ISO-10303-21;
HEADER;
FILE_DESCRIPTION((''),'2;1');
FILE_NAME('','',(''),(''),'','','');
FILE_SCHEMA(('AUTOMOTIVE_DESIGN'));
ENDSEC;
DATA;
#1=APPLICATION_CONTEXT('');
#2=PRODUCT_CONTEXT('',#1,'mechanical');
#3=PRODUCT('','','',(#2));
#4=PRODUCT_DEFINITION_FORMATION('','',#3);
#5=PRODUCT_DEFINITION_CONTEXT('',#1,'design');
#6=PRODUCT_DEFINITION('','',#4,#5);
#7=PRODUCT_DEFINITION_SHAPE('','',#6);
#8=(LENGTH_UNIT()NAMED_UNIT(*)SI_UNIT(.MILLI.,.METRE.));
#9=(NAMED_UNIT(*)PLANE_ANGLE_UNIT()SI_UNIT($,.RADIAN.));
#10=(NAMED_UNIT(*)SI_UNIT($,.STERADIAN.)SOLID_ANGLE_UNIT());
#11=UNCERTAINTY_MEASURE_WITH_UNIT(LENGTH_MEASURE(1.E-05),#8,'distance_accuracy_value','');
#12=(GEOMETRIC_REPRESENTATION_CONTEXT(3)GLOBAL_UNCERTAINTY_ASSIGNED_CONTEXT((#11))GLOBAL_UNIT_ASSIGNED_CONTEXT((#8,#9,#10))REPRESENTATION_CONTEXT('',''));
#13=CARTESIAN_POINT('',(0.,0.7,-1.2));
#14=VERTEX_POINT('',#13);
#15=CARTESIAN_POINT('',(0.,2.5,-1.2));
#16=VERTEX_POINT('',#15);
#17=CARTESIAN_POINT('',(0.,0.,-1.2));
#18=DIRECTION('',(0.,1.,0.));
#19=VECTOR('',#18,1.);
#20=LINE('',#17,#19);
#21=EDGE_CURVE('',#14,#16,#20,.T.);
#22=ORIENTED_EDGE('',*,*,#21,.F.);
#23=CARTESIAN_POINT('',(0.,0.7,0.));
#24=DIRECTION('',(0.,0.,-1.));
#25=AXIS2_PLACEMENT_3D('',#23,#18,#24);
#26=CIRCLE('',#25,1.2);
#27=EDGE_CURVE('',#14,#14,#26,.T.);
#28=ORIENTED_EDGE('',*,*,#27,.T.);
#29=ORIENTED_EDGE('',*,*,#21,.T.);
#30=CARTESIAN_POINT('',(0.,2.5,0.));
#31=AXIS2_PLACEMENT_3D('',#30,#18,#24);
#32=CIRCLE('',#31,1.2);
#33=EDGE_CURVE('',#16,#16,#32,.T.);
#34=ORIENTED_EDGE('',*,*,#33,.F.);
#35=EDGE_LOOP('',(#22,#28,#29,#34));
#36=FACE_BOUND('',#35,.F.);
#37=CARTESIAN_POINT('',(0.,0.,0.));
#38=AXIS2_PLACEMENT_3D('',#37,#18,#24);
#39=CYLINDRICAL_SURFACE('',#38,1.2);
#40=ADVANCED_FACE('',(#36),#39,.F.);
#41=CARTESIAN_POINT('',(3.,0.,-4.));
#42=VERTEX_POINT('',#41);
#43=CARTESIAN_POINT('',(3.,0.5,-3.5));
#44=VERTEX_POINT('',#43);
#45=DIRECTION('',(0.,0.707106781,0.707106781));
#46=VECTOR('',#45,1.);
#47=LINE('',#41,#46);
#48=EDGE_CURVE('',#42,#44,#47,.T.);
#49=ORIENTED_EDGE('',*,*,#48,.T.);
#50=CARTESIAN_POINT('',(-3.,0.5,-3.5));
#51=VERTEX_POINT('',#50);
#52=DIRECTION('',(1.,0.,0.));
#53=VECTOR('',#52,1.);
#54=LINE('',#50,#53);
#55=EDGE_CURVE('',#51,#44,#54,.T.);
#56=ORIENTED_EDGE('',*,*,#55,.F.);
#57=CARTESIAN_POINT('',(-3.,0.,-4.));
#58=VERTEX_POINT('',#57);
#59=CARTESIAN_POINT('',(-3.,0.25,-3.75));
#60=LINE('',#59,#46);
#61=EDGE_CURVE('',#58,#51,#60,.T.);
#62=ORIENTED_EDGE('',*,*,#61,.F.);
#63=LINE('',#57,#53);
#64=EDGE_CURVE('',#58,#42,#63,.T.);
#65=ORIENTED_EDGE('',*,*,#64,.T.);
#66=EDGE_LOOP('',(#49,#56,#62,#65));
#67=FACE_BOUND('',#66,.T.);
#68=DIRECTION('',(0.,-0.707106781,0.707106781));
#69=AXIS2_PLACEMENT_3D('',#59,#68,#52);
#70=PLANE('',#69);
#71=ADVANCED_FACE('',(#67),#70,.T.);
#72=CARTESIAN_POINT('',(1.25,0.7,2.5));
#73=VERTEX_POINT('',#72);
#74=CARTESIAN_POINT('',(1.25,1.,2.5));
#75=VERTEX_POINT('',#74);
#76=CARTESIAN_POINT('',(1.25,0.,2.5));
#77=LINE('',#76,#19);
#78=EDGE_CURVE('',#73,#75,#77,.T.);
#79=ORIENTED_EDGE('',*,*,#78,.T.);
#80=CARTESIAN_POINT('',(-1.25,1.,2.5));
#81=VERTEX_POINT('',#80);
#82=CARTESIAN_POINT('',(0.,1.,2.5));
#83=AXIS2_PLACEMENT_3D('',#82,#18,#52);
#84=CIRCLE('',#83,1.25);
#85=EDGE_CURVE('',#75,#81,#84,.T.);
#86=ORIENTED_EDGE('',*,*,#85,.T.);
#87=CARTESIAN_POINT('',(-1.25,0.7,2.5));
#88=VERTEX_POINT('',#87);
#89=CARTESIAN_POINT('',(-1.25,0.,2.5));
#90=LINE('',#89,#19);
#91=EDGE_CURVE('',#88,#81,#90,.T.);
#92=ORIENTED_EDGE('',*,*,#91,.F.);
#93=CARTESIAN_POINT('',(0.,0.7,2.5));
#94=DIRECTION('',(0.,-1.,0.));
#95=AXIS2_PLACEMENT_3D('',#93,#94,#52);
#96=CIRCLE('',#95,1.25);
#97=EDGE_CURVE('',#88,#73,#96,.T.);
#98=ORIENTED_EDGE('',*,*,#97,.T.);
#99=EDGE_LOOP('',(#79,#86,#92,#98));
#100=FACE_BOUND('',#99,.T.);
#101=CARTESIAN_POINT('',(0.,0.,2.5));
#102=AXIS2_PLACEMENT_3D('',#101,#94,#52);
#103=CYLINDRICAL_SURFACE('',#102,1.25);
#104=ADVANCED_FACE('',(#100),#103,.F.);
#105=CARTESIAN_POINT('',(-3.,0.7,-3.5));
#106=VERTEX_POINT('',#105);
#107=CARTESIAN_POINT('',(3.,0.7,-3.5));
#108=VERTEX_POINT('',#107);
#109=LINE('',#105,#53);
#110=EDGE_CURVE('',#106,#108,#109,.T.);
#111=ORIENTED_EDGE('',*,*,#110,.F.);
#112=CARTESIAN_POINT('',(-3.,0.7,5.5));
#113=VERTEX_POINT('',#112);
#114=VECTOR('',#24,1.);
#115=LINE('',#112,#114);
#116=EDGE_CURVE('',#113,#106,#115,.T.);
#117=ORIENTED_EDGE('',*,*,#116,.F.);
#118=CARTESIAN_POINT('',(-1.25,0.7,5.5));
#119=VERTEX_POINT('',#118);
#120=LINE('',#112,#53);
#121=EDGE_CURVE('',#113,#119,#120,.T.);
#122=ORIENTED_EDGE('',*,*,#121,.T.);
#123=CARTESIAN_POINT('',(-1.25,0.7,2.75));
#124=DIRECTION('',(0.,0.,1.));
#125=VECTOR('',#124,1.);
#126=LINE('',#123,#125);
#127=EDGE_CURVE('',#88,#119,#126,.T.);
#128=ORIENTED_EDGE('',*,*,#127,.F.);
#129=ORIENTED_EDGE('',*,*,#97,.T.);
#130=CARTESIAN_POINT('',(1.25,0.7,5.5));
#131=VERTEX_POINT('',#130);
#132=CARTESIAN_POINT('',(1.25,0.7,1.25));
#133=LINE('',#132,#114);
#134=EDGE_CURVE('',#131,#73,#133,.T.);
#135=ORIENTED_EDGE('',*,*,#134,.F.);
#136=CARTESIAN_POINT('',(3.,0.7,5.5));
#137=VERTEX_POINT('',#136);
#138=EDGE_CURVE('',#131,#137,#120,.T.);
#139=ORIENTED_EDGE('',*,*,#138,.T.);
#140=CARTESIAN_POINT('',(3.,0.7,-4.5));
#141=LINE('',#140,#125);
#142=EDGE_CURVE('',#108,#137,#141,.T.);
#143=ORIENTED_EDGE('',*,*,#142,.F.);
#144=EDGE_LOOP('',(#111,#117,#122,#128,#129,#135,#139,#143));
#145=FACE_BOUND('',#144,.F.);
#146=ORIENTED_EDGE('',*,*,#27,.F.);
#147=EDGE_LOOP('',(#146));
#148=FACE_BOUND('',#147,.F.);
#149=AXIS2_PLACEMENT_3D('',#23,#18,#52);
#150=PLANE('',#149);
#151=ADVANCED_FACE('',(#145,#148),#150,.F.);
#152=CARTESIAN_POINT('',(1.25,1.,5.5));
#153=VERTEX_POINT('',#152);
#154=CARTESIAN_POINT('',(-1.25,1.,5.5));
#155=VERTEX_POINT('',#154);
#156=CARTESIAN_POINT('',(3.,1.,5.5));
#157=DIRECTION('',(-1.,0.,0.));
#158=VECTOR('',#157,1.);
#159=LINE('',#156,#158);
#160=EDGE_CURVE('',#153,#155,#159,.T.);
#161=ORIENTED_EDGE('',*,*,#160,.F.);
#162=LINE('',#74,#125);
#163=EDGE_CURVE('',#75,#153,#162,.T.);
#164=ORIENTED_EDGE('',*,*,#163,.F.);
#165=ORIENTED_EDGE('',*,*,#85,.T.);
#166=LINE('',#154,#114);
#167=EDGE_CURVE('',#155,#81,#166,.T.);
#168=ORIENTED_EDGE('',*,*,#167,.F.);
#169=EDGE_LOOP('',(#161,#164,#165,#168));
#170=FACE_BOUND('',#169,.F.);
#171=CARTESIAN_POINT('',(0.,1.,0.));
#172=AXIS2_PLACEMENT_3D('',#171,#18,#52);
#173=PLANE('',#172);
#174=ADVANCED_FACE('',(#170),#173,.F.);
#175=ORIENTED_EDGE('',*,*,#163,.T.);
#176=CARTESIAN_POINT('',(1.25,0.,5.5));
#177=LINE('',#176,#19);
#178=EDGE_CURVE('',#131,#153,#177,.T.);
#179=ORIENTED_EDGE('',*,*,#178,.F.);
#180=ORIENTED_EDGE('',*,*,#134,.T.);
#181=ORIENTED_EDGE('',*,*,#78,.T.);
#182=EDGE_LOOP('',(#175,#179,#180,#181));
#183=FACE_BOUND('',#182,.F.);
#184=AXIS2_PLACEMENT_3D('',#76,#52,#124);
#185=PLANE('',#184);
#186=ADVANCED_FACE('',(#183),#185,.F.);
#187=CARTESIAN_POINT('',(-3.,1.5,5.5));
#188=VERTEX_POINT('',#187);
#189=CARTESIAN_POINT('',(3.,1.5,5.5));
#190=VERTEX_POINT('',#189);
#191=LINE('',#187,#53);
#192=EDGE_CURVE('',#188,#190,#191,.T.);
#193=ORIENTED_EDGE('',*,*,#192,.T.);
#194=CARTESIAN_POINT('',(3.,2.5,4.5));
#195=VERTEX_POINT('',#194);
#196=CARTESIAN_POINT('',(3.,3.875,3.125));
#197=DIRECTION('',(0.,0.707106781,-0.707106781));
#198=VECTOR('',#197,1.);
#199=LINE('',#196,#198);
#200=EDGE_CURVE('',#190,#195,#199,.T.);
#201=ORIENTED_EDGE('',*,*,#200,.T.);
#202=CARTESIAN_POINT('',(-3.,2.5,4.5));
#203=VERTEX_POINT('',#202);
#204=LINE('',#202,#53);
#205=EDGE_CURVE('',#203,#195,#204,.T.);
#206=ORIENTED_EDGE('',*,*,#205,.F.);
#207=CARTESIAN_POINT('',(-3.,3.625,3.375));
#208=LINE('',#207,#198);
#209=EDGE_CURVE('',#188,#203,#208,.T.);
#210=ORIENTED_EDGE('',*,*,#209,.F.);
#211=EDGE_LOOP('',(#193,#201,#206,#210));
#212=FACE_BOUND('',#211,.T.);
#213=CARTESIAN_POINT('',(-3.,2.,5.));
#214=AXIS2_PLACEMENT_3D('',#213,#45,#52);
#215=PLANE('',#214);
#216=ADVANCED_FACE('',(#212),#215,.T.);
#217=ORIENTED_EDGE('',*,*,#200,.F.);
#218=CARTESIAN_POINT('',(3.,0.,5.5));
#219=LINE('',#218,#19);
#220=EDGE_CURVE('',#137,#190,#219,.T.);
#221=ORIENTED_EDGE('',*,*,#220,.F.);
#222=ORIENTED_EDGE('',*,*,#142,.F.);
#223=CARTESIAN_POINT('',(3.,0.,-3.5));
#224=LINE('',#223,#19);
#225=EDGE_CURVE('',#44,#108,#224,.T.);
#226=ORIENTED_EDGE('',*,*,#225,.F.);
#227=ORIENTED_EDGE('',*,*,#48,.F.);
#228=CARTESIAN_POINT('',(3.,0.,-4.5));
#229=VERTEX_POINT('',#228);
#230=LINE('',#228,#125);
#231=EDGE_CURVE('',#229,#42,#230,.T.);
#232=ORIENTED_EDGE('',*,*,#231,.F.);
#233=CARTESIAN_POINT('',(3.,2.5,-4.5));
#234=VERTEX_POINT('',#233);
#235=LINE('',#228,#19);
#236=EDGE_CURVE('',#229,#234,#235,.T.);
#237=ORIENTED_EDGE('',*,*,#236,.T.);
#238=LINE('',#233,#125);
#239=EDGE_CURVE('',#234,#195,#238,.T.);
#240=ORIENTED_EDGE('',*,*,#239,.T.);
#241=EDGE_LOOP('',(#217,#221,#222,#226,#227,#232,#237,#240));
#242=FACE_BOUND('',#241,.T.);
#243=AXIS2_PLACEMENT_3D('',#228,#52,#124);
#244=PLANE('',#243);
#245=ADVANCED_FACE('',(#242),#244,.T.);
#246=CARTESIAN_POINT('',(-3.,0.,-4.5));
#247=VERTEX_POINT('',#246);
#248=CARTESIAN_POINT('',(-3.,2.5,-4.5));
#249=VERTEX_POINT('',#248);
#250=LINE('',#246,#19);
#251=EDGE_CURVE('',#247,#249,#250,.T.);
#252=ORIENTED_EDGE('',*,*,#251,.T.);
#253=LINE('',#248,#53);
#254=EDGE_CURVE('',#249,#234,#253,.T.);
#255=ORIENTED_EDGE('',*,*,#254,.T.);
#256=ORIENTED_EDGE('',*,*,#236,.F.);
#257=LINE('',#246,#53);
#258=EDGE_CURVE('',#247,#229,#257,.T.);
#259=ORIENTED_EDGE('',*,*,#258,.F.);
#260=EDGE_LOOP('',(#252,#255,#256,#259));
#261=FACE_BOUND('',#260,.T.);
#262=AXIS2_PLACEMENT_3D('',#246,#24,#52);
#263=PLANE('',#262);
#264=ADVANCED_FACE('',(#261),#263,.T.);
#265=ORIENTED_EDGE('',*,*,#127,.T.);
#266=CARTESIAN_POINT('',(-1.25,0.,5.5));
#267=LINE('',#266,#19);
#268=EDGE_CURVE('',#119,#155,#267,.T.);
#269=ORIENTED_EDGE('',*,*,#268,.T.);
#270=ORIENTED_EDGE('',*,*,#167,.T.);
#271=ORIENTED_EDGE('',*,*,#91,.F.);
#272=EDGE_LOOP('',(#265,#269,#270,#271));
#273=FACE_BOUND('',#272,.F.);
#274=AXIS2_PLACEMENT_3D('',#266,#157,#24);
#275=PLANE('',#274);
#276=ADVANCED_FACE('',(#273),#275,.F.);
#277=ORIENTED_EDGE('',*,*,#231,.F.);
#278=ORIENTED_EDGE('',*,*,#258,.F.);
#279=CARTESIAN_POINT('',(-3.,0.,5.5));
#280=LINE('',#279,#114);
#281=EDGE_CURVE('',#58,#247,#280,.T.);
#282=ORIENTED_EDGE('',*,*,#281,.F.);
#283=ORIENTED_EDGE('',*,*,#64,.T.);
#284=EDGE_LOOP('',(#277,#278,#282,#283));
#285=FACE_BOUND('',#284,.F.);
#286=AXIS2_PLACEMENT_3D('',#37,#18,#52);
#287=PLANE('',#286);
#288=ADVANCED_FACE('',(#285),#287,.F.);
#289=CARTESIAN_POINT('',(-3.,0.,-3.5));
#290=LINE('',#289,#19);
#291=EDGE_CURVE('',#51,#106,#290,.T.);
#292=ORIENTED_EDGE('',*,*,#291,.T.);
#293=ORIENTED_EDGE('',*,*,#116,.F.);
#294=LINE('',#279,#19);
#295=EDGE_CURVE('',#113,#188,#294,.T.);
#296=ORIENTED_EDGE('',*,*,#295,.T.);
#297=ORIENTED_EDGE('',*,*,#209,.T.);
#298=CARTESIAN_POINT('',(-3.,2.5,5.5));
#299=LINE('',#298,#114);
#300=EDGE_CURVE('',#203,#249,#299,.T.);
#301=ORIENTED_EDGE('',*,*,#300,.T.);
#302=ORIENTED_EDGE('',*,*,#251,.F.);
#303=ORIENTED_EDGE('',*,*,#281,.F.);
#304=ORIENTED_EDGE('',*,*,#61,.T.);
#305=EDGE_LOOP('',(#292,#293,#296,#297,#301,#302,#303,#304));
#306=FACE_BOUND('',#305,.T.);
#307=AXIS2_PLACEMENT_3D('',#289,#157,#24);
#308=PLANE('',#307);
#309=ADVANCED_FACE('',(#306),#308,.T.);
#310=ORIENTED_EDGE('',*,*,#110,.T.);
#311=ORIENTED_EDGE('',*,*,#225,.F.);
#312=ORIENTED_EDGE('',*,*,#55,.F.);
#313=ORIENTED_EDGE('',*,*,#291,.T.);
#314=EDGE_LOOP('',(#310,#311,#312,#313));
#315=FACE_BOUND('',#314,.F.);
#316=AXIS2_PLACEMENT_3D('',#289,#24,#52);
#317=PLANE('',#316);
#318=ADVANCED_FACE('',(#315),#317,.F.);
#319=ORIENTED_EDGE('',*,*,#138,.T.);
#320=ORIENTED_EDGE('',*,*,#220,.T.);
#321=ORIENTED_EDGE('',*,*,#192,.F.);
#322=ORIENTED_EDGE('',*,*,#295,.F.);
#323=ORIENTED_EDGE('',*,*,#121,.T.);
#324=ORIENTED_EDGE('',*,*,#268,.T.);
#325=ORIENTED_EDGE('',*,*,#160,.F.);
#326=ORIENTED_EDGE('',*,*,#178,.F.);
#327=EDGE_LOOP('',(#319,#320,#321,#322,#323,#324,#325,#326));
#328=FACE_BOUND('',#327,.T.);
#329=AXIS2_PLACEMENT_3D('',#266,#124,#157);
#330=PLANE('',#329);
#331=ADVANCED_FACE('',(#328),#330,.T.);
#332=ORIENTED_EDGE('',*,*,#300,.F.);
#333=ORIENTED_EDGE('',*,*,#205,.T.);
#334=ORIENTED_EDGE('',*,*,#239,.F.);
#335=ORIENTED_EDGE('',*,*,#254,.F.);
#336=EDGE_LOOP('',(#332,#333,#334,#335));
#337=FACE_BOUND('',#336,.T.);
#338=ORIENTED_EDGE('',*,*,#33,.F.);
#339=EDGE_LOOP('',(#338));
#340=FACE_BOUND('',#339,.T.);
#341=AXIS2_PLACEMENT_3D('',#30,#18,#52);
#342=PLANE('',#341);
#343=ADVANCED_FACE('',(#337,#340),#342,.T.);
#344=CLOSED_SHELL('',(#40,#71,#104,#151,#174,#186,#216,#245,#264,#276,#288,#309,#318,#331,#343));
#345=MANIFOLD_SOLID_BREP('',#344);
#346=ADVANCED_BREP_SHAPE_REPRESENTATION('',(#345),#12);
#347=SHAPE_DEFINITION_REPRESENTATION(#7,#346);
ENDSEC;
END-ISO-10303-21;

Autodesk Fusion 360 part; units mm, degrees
sketch "Sketch1" plane through (0, 0, 0) normal (0, 1, 0) x (1, 0, 0)
  line L0 (-3, 4.5) -> (3, 4.5)
  line L1 (3, 4.5) -> (3, -5.5)
  line L2 (3, -5.5) -> (-3, -5.5)
  line L3 (-3, -5.5) -> (-3, 4.5)
  line L4 (-1.25, -5.5) -> (-1.25, -2.5)
  arc A0 (1.25, -2.5) -> (-1.25, -2.5) centre (0, -2.5) ccw
  line L5 (1.25, -2.5) -> (1.25, -5.5)
  line L6 (-3, 3.5) -> (3, 3.5)
  line L7 (0, 0) -> (0, -2.5) construction
  dimension "d2" = 2.5
  dimension "d3" = 3
  dimension "d4" = 1
  dimension "d5" = 10
  dimension "d6" = 2.5
  dimension "d7" = 6
extrude "Extrude1" add sketch "Sketch1" along normal blind 2.5
extrude "Extrude2" cut sketch "Sketch1" along normal blind 0.7 contours L1 L2 L3 L4 A0 L5 L6 | L2 L4 A0 L5
extrude "Extrude3" cut sketch "Sketch1" along normal blind 1 contours L2 L4 A0 L5
hole "Hole1" at (0, 0, 0) direction (0, 1, 0) diameter 2.4 depth 5 tip angle 118
chamfer "Chamfer1" distance 0.5 angle 45 1 edges at (0, 0, -3.5)
chamfer "Chamfer2" distance 1 angle 45 1 edges at (0, 2.5, 5.5)
